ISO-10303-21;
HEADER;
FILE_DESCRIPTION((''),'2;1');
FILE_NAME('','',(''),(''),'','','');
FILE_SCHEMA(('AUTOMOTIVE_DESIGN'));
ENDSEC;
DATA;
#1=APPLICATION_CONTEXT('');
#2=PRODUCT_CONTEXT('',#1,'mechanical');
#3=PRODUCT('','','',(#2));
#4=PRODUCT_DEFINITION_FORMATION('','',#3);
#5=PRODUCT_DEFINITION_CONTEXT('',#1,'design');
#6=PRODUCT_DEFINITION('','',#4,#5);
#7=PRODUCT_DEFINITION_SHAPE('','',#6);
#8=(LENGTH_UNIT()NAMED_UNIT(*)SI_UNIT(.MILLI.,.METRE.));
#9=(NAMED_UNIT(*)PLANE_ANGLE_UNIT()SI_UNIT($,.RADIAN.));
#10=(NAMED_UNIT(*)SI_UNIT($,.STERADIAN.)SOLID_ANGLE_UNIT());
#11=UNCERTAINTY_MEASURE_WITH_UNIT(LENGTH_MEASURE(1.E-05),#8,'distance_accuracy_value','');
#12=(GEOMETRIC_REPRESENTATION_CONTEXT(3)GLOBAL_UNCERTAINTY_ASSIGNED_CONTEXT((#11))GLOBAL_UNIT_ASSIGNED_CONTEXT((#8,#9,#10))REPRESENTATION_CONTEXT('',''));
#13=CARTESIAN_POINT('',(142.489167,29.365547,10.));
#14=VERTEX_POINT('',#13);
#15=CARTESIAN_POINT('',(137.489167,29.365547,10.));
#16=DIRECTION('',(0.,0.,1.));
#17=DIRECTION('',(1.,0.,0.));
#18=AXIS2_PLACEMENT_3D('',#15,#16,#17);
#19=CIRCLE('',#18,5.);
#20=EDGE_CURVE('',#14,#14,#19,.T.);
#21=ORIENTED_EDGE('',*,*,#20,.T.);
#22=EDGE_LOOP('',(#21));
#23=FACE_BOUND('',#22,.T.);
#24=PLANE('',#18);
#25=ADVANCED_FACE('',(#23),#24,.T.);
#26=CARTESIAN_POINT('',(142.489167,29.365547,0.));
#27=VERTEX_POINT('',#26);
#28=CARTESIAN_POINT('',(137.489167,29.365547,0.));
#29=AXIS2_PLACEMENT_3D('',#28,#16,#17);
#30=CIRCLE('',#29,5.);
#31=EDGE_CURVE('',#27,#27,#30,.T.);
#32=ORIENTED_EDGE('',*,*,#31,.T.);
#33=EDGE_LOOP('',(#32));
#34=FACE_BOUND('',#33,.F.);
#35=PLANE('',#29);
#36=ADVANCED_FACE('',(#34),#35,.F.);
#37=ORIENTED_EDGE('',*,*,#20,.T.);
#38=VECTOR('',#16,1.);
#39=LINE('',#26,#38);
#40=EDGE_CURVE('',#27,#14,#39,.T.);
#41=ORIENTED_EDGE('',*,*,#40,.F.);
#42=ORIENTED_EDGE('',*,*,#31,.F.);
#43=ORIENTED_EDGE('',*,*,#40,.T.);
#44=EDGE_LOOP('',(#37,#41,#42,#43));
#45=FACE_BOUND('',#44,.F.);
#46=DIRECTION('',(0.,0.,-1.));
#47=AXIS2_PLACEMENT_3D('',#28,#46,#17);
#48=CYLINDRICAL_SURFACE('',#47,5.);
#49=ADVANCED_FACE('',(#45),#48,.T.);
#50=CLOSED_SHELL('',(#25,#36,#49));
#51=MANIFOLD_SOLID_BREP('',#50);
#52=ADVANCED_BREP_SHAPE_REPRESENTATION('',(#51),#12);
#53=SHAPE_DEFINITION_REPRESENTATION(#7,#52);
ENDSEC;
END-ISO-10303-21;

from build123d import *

# Parameters (mm, degrees)
SKETCH_1_R      = 5
EXTRUDE_1_DEPTH = 10


with BuildPart() as part:
    # 草图1 → 凸台-拉伸1 (new body)
    with BuildSketch(Plane.XY):
        with Locations((137.489166817, 29.365546519)):
            Circle(SKETCH_1_R)
    extrude(amount=EXTRUDE_1_DEPTH)


solid = part.part
